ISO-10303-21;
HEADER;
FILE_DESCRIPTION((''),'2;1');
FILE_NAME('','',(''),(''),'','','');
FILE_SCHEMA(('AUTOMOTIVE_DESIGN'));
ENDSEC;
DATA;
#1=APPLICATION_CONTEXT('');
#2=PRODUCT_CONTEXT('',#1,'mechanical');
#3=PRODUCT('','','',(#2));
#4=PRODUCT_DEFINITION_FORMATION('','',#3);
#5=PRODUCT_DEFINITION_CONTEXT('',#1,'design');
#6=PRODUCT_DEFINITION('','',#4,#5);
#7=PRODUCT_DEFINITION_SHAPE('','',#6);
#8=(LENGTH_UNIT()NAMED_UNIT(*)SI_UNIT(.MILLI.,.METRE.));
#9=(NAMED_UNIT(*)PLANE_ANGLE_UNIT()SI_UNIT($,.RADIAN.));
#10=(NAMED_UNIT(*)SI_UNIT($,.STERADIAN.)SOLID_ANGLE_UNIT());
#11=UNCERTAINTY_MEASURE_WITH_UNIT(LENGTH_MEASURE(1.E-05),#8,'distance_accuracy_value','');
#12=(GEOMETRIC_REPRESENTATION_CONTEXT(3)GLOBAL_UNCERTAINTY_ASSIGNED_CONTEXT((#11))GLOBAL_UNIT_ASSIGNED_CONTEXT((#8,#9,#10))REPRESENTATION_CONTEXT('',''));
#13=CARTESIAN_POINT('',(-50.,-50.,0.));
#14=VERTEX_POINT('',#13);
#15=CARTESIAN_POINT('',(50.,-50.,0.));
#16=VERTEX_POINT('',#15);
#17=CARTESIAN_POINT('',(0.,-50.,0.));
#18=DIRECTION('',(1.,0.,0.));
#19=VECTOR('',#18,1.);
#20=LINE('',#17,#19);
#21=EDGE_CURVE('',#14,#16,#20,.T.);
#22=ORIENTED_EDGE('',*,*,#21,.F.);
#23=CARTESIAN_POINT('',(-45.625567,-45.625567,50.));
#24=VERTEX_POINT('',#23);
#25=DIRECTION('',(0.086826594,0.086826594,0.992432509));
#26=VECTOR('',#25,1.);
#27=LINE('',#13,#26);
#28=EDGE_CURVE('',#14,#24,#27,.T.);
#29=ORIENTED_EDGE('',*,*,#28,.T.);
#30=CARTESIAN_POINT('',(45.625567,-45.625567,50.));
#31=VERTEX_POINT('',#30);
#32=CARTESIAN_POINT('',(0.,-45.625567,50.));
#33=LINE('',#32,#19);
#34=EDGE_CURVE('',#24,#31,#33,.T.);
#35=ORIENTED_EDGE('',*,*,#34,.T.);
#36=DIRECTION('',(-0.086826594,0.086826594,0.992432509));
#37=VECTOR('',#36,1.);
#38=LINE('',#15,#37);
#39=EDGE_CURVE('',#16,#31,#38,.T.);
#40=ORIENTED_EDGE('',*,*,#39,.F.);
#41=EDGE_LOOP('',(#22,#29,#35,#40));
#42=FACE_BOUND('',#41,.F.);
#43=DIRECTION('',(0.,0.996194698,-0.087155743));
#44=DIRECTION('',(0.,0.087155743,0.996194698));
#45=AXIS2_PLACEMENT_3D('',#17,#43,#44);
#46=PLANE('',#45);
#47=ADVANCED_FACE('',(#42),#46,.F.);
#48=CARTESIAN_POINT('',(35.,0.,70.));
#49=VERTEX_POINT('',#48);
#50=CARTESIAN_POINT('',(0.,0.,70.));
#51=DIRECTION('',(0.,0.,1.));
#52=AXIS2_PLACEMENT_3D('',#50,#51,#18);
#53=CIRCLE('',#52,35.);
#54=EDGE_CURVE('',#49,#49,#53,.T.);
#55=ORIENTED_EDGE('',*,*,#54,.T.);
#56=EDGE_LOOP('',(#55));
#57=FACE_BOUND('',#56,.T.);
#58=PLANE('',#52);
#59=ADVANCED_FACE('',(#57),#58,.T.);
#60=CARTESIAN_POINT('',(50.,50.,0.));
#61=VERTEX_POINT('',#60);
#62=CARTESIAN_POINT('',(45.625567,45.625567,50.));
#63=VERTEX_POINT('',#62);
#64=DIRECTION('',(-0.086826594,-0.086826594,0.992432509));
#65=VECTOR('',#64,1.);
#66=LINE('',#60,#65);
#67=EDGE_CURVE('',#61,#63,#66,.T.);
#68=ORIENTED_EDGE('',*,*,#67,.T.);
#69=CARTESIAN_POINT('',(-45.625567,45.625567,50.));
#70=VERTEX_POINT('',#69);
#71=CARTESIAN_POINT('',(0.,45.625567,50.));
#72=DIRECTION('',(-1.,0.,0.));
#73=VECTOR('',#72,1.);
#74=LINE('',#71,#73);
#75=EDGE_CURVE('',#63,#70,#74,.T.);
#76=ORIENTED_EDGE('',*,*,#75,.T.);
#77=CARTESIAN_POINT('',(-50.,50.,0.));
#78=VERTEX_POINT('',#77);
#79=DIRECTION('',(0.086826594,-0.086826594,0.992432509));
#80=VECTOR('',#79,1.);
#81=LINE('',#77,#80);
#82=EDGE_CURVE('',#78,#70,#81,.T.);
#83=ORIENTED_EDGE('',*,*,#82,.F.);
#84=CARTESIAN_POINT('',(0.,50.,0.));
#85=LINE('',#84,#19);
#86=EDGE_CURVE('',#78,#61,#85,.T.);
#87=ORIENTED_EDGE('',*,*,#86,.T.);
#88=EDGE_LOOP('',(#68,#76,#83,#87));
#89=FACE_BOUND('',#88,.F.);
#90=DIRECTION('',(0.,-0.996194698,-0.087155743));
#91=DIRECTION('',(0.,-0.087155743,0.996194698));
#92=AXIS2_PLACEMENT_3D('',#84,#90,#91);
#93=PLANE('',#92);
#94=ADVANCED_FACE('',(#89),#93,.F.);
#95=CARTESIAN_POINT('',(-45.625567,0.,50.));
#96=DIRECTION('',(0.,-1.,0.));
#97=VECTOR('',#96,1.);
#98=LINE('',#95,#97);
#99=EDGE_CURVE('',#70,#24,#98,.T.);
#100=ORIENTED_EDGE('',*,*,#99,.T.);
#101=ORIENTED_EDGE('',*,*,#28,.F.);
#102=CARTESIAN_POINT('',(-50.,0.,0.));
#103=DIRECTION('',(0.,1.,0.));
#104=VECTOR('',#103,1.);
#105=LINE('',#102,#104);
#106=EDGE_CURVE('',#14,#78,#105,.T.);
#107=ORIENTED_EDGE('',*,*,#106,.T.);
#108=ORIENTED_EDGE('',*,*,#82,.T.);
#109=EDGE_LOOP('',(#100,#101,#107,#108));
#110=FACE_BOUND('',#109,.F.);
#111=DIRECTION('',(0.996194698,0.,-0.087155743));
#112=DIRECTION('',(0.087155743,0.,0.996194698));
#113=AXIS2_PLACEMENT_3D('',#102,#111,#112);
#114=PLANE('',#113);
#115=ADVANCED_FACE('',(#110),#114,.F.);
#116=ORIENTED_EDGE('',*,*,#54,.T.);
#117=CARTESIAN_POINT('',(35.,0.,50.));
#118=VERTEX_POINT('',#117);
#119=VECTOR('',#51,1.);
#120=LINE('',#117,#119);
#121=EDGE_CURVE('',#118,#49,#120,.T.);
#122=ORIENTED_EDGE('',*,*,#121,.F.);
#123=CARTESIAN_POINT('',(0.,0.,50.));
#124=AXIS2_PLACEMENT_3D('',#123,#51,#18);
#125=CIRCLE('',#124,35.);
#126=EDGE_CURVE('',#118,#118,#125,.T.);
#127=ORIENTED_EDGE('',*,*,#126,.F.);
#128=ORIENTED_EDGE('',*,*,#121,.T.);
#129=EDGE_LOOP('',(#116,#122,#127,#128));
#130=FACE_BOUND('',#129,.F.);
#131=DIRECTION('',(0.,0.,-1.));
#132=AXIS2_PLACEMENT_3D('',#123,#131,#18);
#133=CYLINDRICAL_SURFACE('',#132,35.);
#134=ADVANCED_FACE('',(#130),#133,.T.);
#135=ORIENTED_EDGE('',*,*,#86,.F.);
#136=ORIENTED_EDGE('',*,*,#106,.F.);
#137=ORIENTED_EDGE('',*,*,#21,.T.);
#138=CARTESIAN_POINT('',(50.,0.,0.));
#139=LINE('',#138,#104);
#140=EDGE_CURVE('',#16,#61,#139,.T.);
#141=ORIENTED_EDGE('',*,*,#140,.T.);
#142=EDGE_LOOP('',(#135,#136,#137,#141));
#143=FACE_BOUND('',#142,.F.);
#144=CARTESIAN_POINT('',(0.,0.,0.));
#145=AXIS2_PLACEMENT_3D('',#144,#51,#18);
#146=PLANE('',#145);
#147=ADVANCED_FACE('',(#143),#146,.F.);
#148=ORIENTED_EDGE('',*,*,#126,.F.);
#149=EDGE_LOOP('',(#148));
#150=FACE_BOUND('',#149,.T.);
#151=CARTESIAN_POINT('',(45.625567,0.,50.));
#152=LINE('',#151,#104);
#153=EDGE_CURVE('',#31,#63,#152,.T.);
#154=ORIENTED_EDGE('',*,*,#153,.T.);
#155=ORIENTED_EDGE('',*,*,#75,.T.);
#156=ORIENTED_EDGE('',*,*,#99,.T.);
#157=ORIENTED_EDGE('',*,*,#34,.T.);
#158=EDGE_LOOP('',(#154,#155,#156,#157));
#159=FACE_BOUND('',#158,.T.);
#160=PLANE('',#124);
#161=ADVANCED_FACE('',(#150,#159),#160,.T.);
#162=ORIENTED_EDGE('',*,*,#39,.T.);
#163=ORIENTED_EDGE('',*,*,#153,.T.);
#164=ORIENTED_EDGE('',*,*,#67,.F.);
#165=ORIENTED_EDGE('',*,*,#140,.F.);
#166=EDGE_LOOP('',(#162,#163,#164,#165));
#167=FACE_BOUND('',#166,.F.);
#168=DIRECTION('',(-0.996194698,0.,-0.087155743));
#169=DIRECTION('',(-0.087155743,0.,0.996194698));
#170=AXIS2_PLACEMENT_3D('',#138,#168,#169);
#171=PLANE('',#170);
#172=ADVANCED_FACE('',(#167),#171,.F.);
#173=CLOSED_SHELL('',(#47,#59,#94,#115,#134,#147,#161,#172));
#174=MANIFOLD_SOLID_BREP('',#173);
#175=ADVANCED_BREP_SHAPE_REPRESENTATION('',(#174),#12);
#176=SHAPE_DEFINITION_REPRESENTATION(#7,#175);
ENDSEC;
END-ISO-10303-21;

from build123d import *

# Parameters (mm, degrees)
F0_W     = 100
F0_H     = 100
F1_DEPTH = 50
F1_TAPER = 5
F2_R     = 35
F3_DEPTH = 20


with BuildPart() as f1:
    # F0 (on Top) → F1 (new body)
    with BuildSketch(Plane.XY):
        Rectangle(F0_W, F0_H)
    extrude(amount=F1_DEPTH, taper=F1_TAPER)

    # F2 (on face) → F3 (join)
    with BuildSketch(Plane.XY.offset(50)):
        Circle(F2_R)
    extrude(amount=F3_DEPTH)


solid = f1.part
